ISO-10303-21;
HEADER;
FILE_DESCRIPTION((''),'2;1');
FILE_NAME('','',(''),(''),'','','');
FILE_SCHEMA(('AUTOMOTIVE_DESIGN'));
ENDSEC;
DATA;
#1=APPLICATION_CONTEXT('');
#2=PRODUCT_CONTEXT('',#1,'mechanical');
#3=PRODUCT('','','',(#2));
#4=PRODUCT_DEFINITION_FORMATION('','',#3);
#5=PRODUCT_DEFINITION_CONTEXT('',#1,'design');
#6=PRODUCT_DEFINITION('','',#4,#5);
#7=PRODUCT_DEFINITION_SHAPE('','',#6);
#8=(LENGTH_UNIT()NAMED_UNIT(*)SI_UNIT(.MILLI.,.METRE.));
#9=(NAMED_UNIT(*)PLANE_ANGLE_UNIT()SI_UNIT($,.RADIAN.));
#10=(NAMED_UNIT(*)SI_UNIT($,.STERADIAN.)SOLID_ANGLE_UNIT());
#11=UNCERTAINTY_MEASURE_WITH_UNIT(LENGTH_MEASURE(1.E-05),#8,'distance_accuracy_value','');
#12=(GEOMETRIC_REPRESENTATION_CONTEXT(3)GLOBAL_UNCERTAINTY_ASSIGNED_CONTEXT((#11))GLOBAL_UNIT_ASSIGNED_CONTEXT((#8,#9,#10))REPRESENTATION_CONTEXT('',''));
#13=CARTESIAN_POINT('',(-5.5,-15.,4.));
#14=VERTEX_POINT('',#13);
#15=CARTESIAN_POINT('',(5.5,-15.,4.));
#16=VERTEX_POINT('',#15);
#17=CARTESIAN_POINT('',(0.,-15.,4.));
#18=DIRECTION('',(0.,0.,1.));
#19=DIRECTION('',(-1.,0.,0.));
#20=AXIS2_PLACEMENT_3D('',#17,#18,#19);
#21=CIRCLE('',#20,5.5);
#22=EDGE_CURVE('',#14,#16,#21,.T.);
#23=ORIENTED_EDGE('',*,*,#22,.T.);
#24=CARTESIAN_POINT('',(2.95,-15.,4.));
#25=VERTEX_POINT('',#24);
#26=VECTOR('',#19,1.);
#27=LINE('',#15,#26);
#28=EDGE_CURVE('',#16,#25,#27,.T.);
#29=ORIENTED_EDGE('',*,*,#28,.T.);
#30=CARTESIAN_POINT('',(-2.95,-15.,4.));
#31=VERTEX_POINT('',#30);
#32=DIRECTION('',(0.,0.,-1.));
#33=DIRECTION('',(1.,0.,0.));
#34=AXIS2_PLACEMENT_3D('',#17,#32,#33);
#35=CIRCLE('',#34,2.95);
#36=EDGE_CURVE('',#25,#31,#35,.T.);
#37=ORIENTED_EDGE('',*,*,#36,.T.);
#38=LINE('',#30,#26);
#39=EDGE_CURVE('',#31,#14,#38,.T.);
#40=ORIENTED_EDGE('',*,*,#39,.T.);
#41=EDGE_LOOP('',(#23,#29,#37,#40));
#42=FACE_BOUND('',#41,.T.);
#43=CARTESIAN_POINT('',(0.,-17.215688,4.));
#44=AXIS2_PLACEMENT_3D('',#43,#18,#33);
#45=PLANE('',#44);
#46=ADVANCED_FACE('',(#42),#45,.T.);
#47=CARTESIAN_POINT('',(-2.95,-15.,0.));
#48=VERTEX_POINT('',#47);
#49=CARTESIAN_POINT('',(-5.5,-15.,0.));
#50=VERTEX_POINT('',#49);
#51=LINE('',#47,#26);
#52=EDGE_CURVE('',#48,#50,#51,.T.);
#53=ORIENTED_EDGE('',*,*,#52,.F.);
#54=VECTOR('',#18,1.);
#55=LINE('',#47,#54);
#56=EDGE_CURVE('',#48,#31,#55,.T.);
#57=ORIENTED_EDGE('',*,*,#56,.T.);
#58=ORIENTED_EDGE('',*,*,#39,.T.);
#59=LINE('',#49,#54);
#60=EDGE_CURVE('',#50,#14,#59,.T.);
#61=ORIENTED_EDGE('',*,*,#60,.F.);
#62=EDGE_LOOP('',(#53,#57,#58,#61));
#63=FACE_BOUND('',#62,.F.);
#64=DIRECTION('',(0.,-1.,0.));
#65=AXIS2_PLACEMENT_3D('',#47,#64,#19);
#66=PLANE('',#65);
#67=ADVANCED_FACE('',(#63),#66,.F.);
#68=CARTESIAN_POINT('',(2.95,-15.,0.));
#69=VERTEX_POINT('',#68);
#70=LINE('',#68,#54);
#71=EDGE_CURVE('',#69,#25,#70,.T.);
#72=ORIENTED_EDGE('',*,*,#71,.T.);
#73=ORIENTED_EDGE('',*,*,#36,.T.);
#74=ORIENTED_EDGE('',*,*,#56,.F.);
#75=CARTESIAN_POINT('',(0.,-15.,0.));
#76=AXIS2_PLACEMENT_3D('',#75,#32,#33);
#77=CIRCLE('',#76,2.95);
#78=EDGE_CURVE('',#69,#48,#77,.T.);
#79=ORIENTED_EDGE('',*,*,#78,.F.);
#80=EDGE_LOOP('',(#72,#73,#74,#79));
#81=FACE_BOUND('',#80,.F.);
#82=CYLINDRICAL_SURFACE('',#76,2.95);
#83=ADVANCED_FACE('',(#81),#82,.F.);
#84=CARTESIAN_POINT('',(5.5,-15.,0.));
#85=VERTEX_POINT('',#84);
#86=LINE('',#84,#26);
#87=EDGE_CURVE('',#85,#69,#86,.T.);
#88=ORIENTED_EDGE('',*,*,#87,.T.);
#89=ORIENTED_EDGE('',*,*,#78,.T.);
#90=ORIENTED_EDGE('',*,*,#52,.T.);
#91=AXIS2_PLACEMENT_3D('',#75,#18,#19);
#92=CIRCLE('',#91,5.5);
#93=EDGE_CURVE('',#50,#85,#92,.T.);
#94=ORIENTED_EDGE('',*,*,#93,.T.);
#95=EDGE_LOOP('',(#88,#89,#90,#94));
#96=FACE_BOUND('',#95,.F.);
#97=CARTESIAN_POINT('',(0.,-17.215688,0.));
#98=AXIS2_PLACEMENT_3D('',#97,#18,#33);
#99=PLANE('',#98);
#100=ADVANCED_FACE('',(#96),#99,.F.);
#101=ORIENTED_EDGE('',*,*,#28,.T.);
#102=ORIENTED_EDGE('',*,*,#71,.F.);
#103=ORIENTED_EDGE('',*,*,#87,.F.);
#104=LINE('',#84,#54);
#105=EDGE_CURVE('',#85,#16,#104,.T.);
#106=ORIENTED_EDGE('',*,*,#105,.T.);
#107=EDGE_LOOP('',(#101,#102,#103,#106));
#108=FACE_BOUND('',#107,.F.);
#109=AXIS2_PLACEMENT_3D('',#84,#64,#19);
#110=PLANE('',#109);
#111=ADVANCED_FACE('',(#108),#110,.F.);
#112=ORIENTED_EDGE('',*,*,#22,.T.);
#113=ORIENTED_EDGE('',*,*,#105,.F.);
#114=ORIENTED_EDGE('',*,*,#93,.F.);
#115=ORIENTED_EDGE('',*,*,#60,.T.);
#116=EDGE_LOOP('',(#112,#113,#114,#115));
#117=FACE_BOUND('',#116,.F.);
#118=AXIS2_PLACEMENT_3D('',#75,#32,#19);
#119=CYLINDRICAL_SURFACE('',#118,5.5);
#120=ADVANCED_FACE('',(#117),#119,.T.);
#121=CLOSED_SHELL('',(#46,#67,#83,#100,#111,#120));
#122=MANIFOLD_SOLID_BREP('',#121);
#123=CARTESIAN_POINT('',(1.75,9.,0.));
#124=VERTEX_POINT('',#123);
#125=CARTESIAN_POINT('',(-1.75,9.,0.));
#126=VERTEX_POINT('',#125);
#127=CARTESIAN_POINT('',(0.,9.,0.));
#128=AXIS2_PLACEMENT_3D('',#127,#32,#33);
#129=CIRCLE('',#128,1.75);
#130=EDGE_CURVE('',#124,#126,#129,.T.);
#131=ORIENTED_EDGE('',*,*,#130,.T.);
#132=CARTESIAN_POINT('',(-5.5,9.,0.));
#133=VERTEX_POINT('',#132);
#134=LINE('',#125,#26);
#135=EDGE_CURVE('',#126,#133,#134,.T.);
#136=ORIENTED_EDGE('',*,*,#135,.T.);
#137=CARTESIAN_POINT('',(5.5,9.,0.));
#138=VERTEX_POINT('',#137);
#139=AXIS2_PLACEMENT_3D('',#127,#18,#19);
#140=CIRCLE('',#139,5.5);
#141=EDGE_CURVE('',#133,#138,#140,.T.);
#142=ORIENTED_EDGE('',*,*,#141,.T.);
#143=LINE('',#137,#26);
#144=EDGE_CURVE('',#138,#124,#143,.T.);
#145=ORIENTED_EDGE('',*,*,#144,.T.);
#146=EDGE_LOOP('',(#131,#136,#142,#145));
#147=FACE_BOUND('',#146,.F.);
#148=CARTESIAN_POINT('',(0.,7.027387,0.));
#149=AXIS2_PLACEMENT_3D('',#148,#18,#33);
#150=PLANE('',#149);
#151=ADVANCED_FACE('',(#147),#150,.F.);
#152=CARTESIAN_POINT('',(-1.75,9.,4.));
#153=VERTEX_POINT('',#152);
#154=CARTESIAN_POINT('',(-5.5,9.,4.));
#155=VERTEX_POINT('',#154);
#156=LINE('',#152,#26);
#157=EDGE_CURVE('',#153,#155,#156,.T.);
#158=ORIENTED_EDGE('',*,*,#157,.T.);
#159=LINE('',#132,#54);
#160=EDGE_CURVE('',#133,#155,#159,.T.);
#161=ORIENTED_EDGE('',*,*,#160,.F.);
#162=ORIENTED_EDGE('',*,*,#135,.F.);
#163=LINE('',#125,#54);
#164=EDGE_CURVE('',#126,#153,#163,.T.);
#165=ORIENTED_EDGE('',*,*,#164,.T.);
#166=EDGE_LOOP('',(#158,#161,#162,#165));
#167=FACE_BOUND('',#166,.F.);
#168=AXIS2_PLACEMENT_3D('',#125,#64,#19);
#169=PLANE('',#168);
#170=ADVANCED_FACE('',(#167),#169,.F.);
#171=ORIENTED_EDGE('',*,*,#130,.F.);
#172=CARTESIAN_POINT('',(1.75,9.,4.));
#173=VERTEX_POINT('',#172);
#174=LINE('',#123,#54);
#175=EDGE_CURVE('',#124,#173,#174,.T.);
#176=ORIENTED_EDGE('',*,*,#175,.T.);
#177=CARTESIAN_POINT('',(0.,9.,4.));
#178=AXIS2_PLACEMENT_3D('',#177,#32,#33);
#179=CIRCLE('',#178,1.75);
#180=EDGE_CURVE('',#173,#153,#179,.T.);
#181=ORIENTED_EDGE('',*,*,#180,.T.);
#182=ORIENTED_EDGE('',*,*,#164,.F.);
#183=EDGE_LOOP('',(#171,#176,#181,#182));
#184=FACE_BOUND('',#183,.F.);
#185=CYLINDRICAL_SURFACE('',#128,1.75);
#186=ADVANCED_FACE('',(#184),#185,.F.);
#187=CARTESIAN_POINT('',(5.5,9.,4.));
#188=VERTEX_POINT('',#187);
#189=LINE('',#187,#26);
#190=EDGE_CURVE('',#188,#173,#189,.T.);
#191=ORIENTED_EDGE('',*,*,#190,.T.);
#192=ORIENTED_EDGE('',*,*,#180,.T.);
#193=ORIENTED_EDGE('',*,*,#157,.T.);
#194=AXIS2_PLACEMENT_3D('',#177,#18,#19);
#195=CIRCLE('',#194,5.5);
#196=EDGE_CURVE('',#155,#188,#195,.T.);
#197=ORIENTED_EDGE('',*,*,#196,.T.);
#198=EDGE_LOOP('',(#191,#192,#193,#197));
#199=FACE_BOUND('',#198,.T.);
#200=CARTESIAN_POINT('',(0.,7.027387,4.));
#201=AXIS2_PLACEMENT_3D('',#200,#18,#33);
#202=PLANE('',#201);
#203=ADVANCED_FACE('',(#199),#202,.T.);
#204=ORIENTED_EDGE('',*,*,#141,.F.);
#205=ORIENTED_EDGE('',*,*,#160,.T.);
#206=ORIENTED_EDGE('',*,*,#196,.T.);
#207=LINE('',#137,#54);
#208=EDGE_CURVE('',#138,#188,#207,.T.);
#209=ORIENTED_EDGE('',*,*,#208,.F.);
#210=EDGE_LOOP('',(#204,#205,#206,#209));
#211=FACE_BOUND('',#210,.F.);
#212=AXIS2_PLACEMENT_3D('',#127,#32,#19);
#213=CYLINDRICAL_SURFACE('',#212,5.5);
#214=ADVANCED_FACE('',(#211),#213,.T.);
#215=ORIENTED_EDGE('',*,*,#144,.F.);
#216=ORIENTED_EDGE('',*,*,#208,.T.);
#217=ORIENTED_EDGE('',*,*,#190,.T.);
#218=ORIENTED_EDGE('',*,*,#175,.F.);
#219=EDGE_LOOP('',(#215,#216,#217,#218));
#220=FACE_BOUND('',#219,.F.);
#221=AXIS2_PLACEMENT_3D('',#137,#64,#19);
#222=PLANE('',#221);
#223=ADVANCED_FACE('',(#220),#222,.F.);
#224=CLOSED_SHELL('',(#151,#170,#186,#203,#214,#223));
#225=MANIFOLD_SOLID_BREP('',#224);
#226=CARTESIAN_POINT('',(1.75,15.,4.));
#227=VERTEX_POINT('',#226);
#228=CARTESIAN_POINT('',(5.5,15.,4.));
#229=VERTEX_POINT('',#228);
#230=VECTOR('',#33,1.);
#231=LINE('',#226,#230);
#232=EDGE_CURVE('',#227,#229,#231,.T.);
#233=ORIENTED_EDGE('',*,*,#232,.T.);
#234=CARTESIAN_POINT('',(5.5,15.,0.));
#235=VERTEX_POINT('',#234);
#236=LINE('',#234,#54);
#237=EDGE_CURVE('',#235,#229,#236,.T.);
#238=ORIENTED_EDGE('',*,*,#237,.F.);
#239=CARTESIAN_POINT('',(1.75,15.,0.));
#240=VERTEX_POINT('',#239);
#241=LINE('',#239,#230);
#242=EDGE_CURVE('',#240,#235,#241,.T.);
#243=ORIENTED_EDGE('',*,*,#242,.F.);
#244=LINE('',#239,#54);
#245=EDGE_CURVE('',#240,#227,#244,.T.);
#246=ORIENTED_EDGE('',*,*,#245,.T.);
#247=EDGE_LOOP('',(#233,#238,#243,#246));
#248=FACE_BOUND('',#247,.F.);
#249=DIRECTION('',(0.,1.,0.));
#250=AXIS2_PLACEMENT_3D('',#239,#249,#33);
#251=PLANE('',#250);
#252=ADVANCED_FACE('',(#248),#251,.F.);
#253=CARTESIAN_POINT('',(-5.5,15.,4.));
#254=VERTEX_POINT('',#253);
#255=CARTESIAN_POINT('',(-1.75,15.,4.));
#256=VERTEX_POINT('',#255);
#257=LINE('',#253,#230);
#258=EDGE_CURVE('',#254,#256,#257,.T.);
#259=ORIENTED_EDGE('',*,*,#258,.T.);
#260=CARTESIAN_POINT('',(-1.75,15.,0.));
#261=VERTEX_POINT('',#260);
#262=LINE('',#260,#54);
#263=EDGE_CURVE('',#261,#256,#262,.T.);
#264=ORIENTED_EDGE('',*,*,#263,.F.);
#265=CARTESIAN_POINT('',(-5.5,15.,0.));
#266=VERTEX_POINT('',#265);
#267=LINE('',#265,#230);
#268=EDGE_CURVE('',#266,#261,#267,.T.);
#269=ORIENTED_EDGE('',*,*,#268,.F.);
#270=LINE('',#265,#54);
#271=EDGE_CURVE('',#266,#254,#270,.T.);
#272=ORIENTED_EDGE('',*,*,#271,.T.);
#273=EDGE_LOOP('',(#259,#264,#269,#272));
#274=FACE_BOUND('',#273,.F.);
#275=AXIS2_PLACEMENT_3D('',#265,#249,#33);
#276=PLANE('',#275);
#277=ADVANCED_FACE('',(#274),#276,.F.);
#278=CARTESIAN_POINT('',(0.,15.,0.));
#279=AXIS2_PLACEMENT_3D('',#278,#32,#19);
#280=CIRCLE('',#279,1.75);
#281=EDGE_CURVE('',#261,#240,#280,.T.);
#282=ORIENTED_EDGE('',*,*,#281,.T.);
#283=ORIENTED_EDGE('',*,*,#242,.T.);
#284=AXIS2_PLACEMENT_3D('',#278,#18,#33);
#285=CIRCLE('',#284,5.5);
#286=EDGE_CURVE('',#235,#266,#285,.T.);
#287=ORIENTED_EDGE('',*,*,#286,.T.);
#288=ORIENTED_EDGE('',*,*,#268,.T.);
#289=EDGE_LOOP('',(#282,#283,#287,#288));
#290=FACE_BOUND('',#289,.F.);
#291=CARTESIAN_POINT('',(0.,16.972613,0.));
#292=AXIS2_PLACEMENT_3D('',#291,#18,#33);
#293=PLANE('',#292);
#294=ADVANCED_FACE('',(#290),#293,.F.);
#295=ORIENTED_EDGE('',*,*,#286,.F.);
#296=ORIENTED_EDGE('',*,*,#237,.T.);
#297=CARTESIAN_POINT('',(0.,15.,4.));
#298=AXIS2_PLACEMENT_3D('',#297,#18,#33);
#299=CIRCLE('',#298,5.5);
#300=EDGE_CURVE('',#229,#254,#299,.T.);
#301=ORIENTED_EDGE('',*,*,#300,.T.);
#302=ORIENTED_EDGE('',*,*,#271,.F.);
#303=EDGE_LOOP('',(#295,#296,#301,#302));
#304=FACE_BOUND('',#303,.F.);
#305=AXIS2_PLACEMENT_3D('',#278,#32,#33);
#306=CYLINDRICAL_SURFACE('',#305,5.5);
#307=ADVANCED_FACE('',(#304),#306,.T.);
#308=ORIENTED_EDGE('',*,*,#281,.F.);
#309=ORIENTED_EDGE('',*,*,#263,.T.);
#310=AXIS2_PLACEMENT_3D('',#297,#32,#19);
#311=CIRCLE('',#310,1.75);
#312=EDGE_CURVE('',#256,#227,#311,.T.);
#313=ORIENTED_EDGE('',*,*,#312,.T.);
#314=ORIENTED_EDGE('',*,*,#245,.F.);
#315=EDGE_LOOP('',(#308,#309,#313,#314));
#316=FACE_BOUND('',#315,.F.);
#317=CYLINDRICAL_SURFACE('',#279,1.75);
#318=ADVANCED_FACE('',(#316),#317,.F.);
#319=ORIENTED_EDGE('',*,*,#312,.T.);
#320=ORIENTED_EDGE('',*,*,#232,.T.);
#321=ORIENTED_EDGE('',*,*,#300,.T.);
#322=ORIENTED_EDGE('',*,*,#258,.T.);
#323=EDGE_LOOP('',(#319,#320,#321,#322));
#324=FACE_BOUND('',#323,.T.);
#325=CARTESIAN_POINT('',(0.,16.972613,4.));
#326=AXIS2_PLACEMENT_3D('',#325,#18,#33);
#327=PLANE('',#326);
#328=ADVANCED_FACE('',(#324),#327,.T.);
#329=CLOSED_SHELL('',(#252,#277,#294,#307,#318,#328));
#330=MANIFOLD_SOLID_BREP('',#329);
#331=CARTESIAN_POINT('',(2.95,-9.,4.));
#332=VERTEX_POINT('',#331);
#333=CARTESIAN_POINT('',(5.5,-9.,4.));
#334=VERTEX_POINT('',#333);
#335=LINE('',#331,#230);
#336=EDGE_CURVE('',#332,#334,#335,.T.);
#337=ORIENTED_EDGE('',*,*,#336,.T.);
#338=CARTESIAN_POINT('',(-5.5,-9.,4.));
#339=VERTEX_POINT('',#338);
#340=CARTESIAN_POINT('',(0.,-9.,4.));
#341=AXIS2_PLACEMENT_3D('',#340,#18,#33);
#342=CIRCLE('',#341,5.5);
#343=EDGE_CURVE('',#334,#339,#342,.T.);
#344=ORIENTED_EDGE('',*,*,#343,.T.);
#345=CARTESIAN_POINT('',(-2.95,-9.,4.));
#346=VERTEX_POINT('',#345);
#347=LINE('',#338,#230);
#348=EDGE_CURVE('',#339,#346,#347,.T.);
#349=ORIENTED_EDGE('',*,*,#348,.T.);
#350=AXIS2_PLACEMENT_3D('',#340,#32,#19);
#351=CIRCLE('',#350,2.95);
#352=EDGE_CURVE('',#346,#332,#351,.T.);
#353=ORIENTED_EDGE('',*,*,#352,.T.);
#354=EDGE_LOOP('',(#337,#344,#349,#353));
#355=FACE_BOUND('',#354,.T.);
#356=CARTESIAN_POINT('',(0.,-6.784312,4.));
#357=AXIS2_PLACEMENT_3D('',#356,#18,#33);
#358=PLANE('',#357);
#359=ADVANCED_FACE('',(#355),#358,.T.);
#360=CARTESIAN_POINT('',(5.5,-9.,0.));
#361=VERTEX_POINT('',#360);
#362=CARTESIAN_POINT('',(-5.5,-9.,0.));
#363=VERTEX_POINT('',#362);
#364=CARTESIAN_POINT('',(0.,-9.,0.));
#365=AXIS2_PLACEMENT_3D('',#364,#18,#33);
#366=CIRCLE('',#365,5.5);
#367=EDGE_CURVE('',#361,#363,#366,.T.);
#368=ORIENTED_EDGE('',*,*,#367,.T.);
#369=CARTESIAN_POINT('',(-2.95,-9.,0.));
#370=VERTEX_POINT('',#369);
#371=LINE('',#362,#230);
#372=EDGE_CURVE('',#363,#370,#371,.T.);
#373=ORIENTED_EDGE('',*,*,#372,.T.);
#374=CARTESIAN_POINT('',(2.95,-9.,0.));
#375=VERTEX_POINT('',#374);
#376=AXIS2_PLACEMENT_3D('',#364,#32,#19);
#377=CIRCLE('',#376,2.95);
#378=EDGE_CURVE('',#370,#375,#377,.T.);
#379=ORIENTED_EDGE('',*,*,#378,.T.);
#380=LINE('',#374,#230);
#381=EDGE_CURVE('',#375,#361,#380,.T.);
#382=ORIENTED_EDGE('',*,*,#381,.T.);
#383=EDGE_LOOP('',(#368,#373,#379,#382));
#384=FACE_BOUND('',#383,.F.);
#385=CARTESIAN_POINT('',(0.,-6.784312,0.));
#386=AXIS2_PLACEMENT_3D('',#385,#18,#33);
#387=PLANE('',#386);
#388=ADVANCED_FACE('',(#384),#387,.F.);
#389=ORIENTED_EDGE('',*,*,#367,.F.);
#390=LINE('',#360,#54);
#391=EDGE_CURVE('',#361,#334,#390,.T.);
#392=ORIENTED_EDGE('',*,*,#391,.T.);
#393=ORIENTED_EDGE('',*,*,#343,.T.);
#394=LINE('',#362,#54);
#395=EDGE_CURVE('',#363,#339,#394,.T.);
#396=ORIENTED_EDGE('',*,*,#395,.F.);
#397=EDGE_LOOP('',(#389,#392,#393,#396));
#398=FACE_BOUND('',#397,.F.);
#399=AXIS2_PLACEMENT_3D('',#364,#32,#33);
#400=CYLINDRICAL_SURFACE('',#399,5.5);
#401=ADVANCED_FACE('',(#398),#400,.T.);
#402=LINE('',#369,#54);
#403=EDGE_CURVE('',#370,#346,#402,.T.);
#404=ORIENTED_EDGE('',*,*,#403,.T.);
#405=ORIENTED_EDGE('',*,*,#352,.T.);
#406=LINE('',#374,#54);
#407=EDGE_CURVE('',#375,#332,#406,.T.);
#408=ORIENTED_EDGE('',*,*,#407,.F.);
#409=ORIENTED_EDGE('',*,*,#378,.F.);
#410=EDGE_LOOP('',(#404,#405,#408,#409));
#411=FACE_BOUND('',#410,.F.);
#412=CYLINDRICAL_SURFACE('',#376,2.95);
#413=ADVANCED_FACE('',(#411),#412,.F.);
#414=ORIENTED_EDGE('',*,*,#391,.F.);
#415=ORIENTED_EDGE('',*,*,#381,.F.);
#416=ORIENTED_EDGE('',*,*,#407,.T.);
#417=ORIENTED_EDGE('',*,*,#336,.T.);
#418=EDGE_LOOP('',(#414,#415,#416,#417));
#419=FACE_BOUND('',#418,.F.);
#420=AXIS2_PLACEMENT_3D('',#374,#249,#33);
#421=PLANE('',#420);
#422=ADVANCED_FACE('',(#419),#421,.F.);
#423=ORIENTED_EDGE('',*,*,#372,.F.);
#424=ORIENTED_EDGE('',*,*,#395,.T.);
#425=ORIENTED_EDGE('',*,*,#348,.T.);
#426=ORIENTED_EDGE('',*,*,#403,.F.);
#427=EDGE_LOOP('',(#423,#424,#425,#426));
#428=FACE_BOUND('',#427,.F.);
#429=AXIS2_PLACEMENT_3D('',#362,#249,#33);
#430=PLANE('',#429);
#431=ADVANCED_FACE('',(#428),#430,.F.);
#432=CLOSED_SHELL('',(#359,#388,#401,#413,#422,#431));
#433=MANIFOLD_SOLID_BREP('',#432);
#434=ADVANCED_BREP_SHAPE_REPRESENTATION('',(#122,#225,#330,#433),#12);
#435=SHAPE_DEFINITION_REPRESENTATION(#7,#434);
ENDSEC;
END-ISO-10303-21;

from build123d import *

# Parameters (mm, degrees)
F1_DEPTH = 4


with BuildPart() as f1:
    # F0 (on Top) → F1 (new body)
    with BuildSketch(Plane.XY):
        with BuildLine():
            Line((1.75, 15), (5.5, 15))
            ThreePointArc((5.5, 15), (0, 20.5), (-5.5, 15))
            Line((-5.5, 15), (-1.75, 15))
            ThreePointArc((-1.75, 15), (0, 16.75), (1.75, 15))
        make_face()
        with BuildLine():
            Line((-2.95, -15), (-5.5, -15))
            ThreePointArc((-5.5, -15), (0, -20.5), (5.5, -15))
            Line((5.5, -15), (2.95, -15))
            ThreePointArc((2.95, -15), (0, -17.95), (-2.95, -15))
        make_face()
        with BuildLine():
            Line((5.5, 9), (1.75, 9))
            ThreePointArc((1.75, 9), (0, 7.25), (-1.75, 9))
            Line((-1.75, 9), (-5.5, 9))
            ThreePointArc((-5.5, 9), (0, 3.5), (5.5, 9))
        make_face()
        with BuildLine():
            ThreePointArc((-2.95, -9), (0, -6.05), (2.95, -9))
            Line((2.95, -9), (5.5, -9))
            ThreePointArc((5.5, -9), (0, -3.5), (-5.5, -9))
            Line((-5.5, -9), (-2.95, -9))
        make_face()
    extrude(amount=F1_DEPTH)


solid = f1.part
